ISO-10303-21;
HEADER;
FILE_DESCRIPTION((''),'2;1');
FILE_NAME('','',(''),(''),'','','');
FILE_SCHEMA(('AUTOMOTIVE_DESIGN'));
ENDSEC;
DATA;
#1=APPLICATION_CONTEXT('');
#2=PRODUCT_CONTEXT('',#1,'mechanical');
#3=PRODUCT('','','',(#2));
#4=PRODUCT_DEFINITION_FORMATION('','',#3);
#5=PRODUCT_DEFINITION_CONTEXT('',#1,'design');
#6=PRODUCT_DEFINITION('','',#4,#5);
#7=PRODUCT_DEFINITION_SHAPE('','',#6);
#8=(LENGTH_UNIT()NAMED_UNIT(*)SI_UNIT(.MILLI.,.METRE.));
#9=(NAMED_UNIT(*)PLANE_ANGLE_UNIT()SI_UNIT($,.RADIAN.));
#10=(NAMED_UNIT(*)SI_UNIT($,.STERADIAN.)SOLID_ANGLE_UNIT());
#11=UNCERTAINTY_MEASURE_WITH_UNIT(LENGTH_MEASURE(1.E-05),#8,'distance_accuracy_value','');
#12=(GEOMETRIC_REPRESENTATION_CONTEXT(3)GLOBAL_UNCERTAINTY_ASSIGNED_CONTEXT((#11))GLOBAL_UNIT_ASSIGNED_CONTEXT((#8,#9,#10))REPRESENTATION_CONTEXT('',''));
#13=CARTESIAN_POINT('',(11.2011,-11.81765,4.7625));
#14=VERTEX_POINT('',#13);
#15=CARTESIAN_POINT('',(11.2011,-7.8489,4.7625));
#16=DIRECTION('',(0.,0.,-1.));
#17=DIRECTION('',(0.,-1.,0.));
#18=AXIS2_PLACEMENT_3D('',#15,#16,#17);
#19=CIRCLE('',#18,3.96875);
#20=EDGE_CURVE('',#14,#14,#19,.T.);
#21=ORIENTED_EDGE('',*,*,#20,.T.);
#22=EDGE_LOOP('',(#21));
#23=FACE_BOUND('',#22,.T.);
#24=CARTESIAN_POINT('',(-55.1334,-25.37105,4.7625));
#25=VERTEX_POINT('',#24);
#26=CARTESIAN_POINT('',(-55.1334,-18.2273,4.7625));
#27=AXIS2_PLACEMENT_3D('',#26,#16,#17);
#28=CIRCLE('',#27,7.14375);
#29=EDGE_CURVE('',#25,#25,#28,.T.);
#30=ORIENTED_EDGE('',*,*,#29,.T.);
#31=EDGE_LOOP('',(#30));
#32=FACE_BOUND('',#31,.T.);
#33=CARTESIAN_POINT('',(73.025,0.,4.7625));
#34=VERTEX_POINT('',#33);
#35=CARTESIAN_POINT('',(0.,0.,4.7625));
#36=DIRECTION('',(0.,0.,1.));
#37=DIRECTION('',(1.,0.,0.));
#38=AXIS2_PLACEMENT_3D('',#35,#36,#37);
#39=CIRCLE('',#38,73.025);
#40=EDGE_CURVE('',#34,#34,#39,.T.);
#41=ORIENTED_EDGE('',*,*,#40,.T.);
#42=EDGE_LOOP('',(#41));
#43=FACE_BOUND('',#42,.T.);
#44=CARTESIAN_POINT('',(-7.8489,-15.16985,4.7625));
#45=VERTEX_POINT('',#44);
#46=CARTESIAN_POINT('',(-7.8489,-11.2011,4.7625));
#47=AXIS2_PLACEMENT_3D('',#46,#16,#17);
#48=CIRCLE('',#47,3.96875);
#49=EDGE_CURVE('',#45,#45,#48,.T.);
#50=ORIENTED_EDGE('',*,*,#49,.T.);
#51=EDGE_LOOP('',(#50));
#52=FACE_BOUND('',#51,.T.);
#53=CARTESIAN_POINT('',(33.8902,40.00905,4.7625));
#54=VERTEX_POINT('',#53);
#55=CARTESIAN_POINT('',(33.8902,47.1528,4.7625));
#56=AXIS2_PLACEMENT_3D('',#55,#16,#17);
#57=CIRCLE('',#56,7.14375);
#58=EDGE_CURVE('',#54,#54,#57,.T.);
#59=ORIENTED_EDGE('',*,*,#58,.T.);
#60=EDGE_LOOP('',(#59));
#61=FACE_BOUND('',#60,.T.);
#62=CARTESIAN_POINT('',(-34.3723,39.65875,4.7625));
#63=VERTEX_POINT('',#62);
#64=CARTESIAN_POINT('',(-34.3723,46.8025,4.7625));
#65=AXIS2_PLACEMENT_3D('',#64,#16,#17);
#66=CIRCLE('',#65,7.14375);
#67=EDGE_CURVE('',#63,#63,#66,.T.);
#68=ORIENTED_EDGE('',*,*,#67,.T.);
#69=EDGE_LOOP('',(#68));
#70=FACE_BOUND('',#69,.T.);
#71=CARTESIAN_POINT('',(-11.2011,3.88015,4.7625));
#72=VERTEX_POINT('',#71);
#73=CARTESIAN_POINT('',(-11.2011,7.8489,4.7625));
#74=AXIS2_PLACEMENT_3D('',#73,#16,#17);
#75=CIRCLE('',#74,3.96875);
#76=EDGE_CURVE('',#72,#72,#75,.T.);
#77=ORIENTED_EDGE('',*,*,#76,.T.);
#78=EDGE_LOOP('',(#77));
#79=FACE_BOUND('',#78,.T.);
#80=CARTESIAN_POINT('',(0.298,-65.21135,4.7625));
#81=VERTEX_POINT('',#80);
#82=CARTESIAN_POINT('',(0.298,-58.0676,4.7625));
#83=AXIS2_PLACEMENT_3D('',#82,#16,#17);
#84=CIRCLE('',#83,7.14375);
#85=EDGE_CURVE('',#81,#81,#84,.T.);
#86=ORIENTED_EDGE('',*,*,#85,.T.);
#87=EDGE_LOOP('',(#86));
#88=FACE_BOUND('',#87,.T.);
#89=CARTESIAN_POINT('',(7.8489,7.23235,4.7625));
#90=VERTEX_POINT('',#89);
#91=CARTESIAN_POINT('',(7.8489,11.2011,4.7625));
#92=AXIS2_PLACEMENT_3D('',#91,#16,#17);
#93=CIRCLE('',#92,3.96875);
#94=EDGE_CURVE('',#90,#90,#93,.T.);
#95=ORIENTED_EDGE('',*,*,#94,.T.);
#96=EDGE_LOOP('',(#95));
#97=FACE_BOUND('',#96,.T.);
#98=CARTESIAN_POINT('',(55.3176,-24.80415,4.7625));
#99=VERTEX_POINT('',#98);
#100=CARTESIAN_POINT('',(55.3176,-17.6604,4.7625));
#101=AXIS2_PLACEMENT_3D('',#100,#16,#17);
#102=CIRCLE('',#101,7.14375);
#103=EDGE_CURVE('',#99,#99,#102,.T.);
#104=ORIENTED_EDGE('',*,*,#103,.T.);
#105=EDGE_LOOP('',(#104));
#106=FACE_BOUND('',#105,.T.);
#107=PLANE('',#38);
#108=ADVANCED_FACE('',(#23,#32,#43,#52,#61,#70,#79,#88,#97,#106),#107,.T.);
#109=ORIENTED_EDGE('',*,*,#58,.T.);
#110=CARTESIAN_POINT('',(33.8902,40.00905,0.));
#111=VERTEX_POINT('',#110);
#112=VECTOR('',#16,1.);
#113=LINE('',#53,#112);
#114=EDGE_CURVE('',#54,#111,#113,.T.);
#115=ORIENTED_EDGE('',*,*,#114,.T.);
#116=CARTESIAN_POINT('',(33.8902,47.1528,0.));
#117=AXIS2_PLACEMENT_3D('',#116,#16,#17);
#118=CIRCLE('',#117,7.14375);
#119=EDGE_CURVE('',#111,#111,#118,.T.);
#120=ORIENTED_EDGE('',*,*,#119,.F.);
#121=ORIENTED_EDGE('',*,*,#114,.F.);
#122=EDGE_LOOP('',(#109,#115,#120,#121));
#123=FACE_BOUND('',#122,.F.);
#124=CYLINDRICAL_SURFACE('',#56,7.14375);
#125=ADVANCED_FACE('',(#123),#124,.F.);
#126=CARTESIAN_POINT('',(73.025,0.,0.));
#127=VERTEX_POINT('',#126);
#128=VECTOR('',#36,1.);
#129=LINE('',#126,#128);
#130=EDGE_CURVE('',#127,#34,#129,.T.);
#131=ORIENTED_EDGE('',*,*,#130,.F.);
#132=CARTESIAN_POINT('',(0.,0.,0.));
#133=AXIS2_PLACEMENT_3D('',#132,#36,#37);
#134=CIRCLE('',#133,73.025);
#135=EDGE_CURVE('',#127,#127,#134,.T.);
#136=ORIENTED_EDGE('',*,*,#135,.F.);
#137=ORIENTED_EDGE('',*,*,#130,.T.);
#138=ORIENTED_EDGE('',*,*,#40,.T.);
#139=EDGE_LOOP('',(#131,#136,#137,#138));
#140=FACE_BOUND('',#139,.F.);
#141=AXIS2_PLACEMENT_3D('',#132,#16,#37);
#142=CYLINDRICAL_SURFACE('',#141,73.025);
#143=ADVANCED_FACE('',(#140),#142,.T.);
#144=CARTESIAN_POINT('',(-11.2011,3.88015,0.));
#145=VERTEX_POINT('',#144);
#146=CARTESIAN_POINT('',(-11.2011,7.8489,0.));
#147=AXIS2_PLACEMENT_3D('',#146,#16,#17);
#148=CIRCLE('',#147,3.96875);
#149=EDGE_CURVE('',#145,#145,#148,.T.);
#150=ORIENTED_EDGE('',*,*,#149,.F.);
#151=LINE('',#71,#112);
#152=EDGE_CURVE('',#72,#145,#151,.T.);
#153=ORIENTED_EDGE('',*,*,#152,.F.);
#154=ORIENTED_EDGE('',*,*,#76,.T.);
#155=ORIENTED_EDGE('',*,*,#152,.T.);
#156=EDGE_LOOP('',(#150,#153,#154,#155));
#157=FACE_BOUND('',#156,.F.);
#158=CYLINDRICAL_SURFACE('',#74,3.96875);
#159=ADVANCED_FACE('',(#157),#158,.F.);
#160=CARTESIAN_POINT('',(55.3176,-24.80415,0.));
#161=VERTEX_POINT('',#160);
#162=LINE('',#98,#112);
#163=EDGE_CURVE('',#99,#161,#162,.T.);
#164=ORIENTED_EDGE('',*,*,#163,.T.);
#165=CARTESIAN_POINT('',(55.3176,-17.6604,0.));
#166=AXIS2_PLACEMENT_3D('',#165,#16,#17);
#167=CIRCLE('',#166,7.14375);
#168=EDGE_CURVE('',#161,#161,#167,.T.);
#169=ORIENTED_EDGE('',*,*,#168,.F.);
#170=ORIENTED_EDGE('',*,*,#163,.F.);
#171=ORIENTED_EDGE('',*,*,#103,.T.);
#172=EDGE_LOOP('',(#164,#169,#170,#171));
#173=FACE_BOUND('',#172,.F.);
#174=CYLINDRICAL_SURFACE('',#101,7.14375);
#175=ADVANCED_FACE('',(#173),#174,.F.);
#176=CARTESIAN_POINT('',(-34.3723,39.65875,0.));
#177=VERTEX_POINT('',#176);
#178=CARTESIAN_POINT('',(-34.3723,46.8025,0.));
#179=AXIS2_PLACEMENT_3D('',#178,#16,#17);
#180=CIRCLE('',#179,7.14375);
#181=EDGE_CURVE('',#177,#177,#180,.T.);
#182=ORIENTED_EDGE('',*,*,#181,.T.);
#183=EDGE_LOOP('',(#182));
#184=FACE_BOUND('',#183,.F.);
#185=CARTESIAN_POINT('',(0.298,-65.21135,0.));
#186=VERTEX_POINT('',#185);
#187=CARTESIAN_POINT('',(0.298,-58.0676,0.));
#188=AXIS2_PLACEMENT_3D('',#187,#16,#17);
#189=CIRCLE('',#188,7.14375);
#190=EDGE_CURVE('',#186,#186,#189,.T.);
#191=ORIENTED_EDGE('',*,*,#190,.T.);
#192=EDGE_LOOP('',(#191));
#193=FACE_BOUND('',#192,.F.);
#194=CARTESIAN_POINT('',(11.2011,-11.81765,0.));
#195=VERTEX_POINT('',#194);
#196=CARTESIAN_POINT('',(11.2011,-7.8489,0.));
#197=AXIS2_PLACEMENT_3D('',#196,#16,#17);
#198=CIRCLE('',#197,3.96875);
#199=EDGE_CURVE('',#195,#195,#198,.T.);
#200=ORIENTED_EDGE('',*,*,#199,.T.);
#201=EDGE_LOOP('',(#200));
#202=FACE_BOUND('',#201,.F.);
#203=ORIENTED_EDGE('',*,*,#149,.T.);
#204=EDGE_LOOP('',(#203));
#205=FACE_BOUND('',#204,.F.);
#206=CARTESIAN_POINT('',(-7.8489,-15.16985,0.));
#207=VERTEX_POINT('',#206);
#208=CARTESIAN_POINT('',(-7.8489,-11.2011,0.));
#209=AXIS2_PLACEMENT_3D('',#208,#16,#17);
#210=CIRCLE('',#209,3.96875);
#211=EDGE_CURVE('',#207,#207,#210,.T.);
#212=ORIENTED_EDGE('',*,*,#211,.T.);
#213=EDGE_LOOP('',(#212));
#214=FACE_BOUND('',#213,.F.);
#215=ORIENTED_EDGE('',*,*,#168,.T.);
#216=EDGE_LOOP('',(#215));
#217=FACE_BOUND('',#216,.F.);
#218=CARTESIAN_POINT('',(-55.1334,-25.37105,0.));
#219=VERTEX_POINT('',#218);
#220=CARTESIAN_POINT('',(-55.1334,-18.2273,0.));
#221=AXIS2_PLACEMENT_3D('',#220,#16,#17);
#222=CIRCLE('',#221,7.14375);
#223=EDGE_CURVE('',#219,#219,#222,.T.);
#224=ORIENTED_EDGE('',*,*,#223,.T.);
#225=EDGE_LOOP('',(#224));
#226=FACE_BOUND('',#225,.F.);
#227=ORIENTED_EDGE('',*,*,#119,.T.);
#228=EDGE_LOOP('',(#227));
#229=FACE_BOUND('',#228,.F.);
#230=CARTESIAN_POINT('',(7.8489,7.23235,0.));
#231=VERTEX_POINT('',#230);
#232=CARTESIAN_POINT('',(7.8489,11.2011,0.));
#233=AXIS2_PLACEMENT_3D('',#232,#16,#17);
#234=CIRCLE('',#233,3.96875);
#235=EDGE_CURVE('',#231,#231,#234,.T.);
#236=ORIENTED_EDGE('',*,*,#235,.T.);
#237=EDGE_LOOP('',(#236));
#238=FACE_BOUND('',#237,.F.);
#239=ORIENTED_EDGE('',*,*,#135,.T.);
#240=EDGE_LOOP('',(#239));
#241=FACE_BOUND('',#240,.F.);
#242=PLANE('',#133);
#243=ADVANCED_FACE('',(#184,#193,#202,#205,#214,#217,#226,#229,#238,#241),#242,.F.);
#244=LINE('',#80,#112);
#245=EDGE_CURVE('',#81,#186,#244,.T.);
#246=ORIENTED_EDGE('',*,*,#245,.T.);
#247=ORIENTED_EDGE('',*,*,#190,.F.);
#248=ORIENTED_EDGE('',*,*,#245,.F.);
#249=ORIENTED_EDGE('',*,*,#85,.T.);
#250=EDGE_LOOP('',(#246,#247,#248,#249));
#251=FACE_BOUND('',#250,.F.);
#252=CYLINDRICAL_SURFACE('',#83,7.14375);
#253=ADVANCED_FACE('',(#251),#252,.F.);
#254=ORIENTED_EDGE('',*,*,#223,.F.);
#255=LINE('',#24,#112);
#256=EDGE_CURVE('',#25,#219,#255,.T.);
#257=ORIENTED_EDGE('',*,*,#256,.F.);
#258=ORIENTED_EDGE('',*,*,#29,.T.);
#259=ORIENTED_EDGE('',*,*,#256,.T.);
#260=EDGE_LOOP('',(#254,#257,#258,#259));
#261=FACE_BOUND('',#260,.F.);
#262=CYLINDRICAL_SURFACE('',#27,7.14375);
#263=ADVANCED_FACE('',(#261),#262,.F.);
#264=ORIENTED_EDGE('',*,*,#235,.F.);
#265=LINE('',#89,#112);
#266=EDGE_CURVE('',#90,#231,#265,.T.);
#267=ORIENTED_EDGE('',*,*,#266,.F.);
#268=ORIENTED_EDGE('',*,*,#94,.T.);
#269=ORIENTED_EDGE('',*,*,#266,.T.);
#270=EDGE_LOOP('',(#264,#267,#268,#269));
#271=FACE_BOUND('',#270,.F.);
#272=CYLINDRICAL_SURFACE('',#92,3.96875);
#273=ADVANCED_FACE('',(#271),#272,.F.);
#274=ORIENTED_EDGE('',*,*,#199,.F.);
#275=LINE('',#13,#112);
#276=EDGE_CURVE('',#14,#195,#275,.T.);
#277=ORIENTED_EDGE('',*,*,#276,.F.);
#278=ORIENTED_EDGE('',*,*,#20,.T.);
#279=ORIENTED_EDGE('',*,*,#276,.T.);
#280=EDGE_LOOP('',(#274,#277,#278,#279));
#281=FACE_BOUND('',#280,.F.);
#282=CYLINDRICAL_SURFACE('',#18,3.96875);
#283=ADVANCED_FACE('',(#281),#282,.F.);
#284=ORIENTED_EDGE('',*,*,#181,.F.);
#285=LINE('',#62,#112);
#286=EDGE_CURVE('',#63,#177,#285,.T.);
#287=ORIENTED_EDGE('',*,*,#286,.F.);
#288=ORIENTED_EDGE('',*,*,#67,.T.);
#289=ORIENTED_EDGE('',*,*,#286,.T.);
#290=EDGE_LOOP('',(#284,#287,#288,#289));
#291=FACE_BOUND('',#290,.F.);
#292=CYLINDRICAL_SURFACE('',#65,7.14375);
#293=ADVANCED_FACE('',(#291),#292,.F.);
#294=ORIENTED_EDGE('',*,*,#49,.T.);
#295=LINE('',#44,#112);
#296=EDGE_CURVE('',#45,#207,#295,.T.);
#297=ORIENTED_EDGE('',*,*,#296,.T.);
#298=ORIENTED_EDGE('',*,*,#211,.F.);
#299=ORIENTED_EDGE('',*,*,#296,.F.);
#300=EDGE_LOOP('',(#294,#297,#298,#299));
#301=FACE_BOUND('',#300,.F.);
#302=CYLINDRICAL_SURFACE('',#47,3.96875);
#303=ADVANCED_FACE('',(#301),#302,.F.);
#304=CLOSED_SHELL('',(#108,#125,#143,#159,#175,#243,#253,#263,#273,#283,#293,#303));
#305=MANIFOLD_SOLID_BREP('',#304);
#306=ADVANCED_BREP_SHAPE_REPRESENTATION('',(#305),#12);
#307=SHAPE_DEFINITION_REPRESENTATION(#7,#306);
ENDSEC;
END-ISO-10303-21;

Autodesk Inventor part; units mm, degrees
ref_plane "YZ Plane" through (0, 0, 0) normal (1, 0, 0) x (0, 1, 0)
ref_plane "XZ Plane" through (0, 0, 0) normal (0, 1, 0) x (-1, 0, 0)
ref_plane "XY Plane" through (0, 0, 0) normal (0, 0, 1) x (1, 0, 0)
sketch "Sketch1" plane through (0, 0, 0) normal (0, 0, 1) x (1, 0, 0)
  circle A0 centre (0, 0) radius 73.025
  dimension "d7" = 146.05
extrude "Plate1" add sketch "Sketch1" along normal blind 4.7625
sketch "Sketch2" plane through (0, 0, 4.7625) normal (0, 0, 1) x (1, 0, 0)
  circle A0 centre (-11.2011, 7.8489) radius 3.9688
  circle A1 centre (-7.8489, -11.2011) radius 3.9688
  circle A2 centre (11.2011, -7.8489) radius 3.9688
  circle A3 centre (7.8489, 11.2011) radius 3.9688
  point P0 (0, 0)
  dimension "d8" = 7.9375
  dimension "d11" = 360
  dimension "d20" = 19.05
hole "Hole1" at (-11.2011, 7.8489, 4.7625) at (7.8489, 11.2011, 4.7625) at (-7.8489, -11.2011, 4.7625) at (11.2011, -7.8489, 4.7625) direction (0, 0, -1) diameter 7.9375 end through all
sketch "Sketch3" plane through (0, 0, 4.7625) normal (0, 0, 1) x (1, 0, 0)
  circle A0 centre (-34.3723, 46.8025) radius 6.498 construction
  circle A1 centre (-55.1334, -18.2273) radius 6.498 construction
  circle A2 centre (0.298, -58.0676) radius 6.498 construction
  circle A3 centre (55.3176, -17.6604) radius 6.498 construction
  circle A4 centre (33.8902, 47.1528) radius 6.498 construction
  point P0 (0, 0)
  dimension "d21" = 12.9959
  dimension "d24" = 360
  dimension "d33" = 68.2625
hole "Hole2" at (33.8902, 47.1528, 4.7625) at (55.3176, -17.6604, 4.7625) at (0.298, -58.0676, 4.7625) at (-55.1334, -18.2273, 4.7625) at (-34.3723, 46.8025, 4.7625) direction (0, 0, -1) diameter 14.2875 end through all
equation "\"d18\" = Thickness"
equation "\"d31\" = Thickness"
equation "\"BendRadius\" = Thickness"
equation "\"BendReliefWidth\" = Thickness"
equation "\"BendReliefDepth\" = 0.5 * Thickness"
equation "\"CornerReliefSize\" = 4 * Thickness"
equation "\"MinimumRemnant\" = 2 * Thickness"
equation "\"TransitionRadius\" = BendRadius"
equation "\"JacobiRadiusSize\" = BendRadius"
equation "\"GapSize\" = Thickness"
equation "\"d0\" = BendRadius"
equation "\"Thickness\" = 4.7625"
properties part number "WheelHub" material "Steel, Mild"
